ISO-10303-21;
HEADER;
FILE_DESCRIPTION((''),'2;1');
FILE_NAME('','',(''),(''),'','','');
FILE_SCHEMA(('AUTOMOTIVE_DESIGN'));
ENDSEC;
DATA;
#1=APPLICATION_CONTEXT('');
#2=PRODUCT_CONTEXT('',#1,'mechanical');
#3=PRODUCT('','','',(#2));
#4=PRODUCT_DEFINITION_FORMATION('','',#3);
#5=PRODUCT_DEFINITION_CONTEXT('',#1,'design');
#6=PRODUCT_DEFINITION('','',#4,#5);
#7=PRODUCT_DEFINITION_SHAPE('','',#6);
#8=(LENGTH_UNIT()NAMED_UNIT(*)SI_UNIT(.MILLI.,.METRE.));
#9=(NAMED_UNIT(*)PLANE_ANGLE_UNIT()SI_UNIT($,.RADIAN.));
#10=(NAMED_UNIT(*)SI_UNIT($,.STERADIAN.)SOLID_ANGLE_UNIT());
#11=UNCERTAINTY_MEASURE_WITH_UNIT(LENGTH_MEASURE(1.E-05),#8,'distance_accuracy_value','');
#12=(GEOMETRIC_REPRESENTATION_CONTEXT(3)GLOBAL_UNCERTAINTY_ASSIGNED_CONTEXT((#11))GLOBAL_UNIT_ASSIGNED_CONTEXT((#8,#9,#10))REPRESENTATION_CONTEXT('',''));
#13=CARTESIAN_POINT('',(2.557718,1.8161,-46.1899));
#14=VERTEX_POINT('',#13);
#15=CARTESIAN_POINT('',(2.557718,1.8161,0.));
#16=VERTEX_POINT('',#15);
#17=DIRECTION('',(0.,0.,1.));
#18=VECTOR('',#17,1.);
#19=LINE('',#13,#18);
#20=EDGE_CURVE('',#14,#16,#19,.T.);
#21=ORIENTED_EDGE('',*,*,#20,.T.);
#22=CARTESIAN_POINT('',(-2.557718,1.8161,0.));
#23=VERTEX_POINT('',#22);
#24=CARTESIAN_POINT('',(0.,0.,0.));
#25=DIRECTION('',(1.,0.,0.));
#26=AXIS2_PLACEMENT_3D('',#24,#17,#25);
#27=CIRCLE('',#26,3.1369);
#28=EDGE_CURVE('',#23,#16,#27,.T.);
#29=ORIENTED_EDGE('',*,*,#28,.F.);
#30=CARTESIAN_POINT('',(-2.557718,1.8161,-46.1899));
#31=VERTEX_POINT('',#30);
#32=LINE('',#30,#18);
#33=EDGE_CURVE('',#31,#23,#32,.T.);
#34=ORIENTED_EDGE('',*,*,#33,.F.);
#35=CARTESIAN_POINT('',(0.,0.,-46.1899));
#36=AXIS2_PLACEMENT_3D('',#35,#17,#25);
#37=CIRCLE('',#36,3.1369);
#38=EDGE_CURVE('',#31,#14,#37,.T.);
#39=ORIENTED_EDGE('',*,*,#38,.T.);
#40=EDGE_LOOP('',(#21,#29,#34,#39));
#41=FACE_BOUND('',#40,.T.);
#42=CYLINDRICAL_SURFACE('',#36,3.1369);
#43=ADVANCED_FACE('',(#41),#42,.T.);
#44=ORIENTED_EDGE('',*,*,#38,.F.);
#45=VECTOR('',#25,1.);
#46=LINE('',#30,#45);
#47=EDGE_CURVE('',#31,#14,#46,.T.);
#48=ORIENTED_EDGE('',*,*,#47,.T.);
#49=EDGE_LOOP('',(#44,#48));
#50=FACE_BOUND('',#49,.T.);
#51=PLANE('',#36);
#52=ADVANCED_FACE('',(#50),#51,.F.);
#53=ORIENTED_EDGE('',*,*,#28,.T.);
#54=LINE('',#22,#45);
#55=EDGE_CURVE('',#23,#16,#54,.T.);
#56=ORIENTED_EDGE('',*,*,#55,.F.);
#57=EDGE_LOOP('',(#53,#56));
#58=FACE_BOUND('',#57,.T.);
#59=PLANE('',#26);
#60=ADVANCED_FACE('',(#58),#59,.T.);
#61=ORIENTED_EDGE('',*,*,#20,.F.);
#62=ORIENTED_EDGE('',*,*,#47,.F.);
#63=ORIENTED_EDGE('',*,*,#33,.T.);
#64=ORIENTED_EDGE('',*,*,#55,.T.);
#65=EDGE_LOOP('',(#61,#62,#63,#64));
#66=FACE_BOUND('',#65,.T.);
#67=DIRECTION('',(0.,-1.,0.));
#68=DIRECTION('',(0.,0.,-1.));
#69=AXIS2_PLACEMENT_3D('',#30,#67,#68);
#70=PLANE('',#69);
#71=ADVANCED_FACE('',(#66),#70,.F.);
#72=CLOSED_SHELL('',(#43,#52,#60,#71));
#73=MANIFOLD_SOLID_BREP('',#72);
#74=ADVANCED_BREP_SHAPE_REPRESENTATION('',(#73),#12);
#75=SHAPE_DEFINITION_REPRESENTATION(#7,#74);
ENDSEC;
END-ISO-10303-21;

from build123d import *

# Parameters (mm, degrees)
SKETCH1_R           = 3.1369
BOSS_EXTRUDE1_DEPTH = 46.1899
CUT_EXTRUDE1_DEPTH  = 47.402447621


with BuildPart() as part:
    # Sketch1 → Boss-Extrude1 (new body)
    with BuildSketch(Plane.XY):
        Circle(SKETCH1_R)
    extrude(amount=-BOSS_EXTRUDE1_DEPTH)

    # Sketch2 → Cut-Extrude1 (cut, through all)
    with BuildSketch(Plane.XY):
        with BuildLine():
            Line((-2.557718202, 1.8161), (2.557718202, 1.8161))
            ThreePointArc((2.557718202, 1.8161), (0, 3.1369), (-2.557718202, 1.8161))
        make_face()
    extrude(amount=-CUT_EXTRUDE1_DEPTH, mode=Mode.SUBTRACT)


solid = part.part
